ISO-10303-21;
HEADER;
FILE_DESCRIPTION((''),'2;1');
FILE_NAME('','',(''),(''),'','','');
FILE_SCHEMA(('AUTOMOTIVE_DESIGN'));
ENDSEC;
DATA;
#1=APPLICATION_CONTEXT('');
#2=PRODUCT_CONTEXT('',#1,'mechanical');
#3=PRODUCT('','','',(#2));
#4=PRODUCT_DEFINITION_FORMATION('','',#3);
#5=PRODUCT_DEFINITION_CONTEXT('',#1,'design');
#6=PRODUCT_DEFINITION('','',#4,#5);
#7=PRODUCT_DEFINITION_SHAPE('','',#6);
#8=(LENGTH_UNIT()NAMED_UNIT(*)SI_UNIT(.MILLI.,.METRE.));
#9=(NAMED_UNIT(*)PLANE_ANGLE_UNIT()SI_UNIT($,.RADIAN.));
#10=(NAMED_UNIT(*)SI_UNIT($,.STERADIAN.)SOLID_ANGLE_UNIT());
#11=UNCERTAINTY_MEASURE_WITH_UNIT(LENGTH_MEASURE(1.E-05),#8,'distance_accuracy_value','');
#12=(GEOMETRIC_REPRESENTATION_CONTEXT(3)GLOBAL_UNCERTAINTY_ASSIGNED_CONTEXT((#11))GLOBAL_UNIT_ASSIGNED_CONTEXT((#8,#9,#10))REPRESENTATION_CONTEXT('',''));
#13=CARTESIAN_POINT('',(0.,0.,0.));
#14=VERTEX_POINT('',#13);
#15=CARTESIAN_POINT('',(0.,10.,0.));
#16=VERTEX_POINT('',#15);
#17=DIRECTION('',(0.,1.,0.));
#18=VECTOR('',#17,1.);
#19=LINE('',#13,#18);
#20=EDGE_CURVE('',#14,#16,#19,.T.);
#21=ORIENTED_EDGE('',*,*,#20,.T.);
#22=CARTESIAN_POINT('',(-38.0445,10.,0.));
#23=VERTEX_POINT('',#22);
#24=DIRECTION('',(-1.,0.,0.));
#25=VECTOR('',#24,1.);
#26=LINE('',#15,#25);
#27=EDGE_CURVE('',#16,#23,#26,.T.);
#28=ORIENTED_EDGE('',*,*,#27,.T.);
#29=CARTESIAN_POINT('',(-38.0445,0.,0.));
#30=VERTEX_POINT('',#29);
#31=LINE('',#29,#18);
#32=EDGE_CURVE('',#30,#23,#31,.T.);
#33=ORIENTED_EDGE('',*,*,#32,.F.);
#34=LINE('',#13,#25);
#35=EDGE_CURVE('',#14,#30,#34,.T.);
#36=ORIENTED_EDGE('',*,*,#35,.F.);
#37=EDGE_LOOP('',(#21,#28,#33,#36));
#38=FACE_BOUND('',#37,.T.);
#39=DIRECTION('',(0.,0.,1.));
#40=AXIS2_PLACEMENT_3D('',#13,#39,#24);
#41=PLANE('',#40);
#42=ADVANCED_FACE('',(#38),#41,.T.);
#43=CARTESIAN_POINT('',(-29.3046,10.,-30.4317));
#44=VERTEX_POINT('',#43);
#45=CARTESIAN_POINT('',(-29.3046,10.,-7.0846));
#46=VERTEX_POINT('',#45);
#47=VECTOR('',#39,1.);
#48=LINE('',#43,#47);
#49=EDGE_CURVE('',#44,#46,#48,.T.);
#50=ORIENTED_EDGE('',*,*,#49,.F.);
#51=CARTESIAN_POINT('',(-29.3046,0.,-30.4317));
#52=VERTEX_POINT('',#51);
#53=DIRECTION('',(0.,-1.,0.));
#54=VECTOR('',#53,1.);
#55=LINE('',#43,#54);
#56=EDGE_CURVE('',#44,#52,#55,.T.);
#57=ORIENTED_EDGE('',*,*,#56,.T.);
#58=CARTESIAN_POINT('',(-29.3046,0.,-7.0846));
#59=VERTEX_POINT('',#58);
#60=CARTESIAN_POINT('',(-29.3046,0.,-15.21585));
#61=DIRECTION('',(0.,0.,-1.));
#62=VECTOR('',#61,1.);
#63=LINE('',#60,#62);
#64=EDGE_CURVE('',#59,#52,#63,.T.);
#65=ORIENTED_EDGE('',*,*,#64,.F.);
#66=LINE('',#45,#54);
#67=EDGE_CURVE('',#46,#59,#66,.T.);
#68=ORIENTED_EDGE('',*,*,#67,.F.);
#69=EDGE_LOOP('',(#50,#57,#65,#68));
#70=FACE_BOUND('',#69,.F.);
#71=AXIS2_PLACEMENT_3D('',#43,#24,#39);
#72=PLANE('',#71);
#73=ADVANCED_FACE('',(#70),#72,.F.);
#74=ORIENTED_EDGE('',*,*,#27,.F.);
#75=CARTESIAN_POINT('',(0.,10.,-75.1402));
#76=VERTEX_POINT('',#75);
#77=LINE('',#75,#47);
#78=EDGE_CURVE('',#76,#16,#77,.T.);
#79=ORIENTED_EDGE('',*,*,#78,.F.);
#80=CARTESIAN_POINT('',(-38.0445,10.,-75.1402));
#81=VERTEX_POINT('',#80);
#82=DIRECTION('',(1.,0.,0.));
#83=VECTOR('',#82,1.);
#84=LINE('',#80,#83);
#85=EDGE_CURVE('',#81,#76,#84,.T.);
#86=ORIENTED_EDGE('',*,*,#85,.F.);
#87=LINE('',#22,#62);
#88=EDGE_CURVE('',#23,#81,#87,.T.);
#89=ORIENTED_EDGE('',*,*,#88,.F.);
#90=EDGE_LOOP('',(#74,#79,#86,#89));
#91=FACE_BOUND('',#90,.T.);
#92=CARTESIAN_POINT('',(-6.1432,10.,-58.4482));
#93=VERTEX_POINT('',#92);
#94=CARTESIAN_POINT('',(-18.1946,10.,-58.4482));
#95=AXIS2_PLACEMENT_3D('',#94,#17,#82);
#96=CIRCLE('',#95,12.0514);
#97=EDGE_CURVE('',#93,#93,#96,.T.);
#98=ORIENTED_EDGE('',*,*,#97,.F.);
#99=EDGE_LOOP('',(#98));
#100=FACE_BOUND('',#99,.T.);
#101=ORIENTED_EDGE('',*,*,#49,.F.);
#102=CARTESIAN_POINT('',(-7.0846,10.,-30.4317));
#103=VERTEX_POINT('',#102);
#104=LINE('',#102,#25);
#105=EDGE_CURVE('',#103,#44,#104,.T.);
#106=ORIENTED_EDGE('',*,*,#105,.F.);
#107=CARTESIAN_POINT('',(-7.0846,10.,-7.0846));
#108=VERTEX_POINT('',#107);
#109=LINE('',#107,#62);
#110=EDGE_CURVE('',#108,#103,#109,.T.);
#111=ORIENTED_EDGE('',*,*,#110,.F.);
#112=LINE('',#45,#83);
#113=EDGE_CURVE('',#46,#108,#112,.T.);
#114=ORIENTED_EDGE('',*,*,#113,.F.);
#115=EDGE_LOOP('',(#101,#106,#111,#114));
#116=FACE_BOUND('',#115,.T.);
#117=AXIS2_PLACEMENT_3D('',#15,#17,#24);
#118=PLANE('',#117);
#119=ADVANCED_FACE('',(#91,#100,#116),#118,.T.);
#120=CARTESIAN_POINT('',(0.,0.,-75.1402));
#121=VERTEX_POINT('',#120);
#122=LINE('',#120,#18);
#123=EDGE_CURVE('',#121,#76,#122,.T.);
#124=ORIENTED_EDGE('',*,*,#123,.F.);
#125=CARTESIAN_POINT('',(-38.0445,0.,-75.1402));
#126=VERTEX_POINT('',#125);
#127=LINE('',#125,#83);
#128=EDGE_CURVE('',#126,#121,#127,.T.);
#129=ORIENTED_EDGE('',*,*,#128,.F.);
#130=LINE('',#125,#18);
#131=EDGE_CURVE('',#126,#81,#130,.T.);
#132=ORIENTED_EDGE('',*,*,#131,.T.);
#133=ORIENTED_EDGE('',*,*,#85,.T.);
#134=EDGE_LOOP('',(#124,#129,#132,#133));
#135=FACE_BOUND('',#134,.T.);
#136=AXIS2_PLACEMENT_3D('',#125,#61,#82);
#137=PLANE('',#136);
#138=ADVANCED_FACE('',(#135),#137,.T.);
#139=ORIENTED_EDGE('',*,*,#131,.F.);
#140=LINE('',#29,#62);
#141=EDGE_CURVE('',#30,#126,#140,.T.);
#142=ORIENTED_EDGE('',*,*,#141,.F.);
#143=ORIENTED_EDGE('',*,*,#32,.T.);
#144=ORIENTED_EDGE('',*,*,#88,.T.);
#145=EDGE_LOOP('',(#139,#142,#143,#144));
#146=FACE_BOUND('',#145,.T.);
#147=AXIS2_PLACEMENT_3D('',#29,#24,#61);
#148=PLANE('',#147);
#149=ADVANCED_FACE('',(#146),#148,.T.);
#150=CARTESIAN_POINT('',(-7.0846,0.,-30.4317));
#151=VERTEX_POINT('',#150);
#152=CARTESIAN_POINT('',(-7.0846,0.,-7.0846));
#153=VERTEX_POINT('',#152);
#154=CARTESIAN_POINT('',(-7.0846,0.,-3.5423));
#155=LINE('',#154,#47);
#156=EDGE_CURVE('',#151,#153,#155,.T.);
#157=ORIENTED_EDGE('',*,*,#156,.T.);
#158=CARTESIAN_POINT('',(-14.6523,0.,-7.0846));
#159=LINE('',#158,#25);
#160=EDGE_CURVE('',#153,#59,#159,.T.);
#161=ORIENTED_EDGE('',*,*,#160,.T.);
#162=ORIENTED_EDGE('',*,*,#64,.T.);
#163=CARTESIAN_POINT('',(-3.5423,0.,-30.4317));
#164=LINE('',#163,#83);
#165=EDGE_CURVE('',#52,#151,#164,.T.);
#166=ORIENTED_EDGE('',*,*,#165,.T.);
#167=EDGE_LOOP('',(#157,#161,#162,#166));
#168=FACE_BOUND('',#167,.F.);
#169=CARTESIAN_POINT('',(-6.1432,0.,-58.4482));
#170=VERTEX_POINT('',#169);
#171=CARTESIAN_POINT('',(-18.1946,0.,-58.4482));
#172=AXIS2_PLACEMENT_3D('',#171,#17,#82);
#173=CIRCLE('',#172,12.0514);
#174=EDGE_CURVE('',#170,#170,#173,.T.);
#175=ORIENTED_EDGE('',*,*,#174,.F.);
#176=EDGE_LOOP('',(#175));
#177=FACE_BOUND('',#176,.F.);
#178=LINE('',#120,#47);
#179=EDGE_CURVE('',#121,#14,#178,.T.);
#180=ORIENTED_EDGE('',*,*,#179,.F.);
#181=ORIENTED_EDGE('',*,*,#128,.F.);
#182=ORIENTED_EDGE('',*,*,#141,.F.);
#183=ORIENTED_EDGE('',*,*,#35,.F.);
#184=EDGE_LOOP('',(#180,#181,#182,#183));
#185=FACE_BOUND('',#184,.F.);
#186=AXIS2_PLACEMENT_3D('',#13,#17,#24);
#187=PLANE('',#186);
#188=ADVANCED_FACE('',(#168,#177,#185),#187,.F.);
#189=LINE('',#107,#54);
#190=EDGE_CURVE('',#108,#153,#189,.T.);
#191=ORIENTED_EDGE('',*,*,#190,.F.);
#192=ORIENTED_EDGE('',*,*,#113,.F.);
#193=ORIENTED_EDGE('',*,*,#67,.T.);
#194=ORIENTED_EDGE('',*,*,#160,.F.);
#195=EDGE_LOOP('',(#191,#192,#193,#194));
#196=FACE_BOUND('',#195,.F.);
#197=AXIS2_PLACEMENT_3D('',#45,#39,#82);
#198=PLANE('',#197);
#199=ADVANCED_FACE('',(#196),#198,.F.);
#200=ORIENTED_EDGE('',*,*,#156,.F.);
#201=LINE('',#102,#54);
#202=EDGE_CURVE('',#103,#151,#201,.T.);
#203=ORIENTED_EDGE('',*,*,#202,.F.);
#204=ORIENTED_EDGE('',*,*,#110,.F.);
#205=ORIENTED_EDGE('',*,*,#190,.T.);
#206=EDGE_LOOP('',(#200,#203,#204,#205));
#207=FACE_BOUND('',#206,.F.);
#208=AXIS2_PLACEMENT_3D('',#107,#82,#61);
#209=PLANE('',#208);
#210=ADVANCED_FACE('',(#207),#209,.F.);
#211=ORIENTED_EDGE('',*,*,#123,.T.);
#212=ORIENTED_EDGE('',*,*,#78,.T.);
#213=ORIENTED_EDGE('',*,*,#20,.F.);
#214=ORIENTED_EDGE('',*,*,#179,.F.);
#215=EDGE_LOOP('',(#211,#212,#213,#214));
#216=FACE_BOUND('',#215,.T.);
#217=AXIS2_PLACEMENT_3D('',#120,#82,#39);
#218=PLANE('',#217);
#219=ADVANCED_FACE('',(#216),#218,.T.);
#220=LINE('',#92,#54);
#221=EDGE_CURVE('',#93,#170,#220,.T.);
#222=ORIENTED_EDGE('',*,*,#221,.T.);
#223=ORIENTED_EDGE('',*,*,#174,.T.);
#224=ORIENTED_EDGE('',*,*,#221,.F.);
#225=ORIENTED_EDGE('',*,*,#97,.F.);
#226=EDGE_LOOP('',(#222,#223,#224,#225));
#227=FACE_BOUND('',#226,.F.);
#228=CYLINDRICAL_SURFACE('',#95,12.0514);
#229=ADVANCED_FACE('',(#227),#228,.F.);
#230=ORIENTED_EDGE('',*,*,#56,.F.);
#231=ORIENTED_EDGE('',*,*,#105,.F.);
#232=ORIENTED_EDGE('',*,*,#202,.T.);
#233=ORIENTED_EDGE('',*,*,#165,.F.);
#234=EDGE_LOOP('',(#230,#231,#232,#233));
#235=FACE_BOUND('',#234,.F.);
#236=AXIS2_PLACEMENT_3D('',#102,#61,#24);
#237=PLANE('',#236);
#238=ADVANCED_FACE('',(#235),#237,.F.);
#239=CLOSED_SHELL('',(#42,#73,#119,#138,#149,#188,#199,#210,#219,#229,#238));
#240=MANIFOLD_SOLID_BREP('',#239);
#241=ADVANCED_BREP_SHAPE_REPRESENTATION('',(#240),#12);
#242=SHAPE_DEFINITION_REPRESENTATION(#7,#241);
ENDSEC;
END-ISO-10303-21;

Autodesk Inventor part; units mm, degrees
ref_plane "YZ Plane" through (0, 0, 0) normal (1, 0, 0) x (0, 1, 0)
ref_plane "XZ Plane" through (0, 0, 0) normal (0, 1, 0) x (-1, 0, 0)
ref_plane "XY Plane" through (0, 0, 0) normal (0, 0, 1) x (1, 0, 0)
sketch "Sketch1" plane through (0, 0, 0) normal (0, 1, 0) x (-1, 0, 0)
  line L0 (0, 0) -> (38.0445, 0)
  line L1 (38.0445, 0) -> (38.0445, -75.1402)
  line L2 (38.0445, -75.1402) -> (0, -75.1402)
  line L3 (0, -75.1402) -> (0, 0)
extrude "Extrusion1" add sketch "Sketch1" along normal blind 10
sketch "Sketch2" plane through (0, 10, 0) normal (0, 1, 0) x (1, 0, 0)
  line L0 (-29.3046, 7.0846) -> (-7.0846, 7.0846)
  line L1 (-7.0846, 7.0846) -> (-7.0846, 30.4317)
  line L2 (-7.0846, 30.4317) -> (-29.3046, 30.4317)
  line L3 (-29.3046, 30.4317) -> (-29.3046, 7.0846)
  circle A0 centre (-18.1946, 58.4482) radius 12.0514
  point P0 (0, 0)
extrude "Extrusion2" cut sketch "Sketch2" against normal up to next
properties part number "LeadScrewTrackConnection"
